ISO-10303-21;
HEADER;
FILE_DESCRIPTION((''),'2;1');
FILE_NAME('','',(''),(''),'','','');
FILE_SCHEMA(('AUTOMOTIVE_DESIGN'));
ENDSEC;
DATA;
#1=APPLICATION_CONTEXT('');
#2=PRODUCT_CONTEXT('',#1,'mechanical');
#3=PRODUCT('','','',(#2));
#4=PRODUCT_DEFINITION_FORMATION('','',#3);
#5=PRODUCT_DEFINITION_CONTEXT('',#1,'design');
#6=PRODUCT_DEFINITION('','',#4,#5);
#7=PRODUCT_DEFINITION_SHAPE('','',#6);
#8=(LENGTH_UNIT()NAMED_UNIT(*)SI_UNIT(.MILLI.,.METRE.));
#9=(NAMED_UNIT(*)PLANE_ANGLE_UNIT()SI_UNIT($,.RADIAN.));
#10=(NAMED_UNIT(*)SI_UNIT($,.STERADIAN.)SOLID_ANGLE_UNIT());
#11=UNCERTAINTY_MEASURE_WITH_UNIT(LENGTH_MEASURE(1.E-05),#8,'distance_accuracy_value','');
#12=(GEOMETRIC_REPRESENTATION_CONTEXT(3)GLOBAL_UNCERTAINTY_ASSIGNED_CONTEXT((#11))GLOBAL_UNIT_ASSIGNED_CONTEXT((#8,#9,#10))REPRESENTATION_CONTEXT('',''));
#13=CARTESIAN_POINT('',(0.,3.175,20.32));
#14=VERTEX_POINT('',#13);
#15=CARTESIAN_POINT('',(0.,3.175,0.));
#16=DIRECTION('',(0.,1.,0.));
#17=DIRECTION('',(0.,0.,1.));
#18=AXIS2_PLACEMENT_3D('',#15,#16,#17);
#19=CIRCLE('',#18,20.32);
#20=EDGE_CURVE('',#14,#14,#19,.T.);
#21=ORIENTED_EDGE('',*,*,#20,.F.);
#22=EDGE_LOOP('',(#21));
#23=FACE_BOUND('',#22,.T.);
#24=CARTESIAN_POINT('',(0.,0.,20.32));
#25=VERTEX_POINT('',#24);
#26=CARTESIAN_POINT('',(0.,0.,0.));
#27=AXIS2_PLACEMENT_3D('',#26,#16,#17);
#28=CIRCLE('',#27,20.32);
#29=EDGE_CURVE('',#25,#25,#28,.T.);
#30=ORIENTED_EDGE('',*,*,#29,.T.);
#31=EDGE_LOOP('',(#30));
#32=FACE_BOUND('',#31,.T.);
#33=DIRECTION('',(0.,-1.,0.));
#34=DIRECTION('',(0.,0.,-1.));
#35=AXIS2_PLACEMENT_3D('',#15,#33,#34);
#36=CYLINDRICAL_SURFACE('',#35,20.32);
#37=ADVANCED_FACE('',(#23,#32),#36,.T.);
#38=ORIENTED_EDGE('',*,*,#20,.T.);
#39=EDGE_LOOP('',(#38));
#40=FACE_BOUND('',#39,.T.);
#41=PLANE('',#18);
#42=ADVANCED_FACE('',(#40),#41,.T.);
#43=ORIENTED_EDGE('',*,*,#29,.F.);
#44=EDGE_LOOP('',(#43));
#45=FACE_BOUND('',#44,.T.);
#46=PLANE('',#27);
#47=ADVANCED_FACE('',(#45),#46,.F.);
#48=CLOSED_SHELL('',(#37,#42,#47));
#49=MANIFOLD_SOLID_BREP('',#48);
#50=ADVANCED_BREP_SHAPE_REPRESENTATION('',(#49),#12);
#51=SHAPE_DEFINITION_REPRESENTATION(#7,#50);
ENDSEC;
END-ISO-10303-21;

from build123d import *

# Parameters (mm, degrees)
SKETCH1_R           = 20.32
BOSS_EXTRUDE1_DEPTH = 3.175


with BuildPart() as part:
    # Sketch1 → Boss-Extrude1 (new body)
    with BuildSketch(Plane(origin=(0, 0, 0), x_dir=(1, 0, 0), z_dir=(0, 1, 0))):
        Circle(SKETCH1_R)
    extrude(amount=BOSS_EXTRUDE1_DEPTH)


solid = part.part
